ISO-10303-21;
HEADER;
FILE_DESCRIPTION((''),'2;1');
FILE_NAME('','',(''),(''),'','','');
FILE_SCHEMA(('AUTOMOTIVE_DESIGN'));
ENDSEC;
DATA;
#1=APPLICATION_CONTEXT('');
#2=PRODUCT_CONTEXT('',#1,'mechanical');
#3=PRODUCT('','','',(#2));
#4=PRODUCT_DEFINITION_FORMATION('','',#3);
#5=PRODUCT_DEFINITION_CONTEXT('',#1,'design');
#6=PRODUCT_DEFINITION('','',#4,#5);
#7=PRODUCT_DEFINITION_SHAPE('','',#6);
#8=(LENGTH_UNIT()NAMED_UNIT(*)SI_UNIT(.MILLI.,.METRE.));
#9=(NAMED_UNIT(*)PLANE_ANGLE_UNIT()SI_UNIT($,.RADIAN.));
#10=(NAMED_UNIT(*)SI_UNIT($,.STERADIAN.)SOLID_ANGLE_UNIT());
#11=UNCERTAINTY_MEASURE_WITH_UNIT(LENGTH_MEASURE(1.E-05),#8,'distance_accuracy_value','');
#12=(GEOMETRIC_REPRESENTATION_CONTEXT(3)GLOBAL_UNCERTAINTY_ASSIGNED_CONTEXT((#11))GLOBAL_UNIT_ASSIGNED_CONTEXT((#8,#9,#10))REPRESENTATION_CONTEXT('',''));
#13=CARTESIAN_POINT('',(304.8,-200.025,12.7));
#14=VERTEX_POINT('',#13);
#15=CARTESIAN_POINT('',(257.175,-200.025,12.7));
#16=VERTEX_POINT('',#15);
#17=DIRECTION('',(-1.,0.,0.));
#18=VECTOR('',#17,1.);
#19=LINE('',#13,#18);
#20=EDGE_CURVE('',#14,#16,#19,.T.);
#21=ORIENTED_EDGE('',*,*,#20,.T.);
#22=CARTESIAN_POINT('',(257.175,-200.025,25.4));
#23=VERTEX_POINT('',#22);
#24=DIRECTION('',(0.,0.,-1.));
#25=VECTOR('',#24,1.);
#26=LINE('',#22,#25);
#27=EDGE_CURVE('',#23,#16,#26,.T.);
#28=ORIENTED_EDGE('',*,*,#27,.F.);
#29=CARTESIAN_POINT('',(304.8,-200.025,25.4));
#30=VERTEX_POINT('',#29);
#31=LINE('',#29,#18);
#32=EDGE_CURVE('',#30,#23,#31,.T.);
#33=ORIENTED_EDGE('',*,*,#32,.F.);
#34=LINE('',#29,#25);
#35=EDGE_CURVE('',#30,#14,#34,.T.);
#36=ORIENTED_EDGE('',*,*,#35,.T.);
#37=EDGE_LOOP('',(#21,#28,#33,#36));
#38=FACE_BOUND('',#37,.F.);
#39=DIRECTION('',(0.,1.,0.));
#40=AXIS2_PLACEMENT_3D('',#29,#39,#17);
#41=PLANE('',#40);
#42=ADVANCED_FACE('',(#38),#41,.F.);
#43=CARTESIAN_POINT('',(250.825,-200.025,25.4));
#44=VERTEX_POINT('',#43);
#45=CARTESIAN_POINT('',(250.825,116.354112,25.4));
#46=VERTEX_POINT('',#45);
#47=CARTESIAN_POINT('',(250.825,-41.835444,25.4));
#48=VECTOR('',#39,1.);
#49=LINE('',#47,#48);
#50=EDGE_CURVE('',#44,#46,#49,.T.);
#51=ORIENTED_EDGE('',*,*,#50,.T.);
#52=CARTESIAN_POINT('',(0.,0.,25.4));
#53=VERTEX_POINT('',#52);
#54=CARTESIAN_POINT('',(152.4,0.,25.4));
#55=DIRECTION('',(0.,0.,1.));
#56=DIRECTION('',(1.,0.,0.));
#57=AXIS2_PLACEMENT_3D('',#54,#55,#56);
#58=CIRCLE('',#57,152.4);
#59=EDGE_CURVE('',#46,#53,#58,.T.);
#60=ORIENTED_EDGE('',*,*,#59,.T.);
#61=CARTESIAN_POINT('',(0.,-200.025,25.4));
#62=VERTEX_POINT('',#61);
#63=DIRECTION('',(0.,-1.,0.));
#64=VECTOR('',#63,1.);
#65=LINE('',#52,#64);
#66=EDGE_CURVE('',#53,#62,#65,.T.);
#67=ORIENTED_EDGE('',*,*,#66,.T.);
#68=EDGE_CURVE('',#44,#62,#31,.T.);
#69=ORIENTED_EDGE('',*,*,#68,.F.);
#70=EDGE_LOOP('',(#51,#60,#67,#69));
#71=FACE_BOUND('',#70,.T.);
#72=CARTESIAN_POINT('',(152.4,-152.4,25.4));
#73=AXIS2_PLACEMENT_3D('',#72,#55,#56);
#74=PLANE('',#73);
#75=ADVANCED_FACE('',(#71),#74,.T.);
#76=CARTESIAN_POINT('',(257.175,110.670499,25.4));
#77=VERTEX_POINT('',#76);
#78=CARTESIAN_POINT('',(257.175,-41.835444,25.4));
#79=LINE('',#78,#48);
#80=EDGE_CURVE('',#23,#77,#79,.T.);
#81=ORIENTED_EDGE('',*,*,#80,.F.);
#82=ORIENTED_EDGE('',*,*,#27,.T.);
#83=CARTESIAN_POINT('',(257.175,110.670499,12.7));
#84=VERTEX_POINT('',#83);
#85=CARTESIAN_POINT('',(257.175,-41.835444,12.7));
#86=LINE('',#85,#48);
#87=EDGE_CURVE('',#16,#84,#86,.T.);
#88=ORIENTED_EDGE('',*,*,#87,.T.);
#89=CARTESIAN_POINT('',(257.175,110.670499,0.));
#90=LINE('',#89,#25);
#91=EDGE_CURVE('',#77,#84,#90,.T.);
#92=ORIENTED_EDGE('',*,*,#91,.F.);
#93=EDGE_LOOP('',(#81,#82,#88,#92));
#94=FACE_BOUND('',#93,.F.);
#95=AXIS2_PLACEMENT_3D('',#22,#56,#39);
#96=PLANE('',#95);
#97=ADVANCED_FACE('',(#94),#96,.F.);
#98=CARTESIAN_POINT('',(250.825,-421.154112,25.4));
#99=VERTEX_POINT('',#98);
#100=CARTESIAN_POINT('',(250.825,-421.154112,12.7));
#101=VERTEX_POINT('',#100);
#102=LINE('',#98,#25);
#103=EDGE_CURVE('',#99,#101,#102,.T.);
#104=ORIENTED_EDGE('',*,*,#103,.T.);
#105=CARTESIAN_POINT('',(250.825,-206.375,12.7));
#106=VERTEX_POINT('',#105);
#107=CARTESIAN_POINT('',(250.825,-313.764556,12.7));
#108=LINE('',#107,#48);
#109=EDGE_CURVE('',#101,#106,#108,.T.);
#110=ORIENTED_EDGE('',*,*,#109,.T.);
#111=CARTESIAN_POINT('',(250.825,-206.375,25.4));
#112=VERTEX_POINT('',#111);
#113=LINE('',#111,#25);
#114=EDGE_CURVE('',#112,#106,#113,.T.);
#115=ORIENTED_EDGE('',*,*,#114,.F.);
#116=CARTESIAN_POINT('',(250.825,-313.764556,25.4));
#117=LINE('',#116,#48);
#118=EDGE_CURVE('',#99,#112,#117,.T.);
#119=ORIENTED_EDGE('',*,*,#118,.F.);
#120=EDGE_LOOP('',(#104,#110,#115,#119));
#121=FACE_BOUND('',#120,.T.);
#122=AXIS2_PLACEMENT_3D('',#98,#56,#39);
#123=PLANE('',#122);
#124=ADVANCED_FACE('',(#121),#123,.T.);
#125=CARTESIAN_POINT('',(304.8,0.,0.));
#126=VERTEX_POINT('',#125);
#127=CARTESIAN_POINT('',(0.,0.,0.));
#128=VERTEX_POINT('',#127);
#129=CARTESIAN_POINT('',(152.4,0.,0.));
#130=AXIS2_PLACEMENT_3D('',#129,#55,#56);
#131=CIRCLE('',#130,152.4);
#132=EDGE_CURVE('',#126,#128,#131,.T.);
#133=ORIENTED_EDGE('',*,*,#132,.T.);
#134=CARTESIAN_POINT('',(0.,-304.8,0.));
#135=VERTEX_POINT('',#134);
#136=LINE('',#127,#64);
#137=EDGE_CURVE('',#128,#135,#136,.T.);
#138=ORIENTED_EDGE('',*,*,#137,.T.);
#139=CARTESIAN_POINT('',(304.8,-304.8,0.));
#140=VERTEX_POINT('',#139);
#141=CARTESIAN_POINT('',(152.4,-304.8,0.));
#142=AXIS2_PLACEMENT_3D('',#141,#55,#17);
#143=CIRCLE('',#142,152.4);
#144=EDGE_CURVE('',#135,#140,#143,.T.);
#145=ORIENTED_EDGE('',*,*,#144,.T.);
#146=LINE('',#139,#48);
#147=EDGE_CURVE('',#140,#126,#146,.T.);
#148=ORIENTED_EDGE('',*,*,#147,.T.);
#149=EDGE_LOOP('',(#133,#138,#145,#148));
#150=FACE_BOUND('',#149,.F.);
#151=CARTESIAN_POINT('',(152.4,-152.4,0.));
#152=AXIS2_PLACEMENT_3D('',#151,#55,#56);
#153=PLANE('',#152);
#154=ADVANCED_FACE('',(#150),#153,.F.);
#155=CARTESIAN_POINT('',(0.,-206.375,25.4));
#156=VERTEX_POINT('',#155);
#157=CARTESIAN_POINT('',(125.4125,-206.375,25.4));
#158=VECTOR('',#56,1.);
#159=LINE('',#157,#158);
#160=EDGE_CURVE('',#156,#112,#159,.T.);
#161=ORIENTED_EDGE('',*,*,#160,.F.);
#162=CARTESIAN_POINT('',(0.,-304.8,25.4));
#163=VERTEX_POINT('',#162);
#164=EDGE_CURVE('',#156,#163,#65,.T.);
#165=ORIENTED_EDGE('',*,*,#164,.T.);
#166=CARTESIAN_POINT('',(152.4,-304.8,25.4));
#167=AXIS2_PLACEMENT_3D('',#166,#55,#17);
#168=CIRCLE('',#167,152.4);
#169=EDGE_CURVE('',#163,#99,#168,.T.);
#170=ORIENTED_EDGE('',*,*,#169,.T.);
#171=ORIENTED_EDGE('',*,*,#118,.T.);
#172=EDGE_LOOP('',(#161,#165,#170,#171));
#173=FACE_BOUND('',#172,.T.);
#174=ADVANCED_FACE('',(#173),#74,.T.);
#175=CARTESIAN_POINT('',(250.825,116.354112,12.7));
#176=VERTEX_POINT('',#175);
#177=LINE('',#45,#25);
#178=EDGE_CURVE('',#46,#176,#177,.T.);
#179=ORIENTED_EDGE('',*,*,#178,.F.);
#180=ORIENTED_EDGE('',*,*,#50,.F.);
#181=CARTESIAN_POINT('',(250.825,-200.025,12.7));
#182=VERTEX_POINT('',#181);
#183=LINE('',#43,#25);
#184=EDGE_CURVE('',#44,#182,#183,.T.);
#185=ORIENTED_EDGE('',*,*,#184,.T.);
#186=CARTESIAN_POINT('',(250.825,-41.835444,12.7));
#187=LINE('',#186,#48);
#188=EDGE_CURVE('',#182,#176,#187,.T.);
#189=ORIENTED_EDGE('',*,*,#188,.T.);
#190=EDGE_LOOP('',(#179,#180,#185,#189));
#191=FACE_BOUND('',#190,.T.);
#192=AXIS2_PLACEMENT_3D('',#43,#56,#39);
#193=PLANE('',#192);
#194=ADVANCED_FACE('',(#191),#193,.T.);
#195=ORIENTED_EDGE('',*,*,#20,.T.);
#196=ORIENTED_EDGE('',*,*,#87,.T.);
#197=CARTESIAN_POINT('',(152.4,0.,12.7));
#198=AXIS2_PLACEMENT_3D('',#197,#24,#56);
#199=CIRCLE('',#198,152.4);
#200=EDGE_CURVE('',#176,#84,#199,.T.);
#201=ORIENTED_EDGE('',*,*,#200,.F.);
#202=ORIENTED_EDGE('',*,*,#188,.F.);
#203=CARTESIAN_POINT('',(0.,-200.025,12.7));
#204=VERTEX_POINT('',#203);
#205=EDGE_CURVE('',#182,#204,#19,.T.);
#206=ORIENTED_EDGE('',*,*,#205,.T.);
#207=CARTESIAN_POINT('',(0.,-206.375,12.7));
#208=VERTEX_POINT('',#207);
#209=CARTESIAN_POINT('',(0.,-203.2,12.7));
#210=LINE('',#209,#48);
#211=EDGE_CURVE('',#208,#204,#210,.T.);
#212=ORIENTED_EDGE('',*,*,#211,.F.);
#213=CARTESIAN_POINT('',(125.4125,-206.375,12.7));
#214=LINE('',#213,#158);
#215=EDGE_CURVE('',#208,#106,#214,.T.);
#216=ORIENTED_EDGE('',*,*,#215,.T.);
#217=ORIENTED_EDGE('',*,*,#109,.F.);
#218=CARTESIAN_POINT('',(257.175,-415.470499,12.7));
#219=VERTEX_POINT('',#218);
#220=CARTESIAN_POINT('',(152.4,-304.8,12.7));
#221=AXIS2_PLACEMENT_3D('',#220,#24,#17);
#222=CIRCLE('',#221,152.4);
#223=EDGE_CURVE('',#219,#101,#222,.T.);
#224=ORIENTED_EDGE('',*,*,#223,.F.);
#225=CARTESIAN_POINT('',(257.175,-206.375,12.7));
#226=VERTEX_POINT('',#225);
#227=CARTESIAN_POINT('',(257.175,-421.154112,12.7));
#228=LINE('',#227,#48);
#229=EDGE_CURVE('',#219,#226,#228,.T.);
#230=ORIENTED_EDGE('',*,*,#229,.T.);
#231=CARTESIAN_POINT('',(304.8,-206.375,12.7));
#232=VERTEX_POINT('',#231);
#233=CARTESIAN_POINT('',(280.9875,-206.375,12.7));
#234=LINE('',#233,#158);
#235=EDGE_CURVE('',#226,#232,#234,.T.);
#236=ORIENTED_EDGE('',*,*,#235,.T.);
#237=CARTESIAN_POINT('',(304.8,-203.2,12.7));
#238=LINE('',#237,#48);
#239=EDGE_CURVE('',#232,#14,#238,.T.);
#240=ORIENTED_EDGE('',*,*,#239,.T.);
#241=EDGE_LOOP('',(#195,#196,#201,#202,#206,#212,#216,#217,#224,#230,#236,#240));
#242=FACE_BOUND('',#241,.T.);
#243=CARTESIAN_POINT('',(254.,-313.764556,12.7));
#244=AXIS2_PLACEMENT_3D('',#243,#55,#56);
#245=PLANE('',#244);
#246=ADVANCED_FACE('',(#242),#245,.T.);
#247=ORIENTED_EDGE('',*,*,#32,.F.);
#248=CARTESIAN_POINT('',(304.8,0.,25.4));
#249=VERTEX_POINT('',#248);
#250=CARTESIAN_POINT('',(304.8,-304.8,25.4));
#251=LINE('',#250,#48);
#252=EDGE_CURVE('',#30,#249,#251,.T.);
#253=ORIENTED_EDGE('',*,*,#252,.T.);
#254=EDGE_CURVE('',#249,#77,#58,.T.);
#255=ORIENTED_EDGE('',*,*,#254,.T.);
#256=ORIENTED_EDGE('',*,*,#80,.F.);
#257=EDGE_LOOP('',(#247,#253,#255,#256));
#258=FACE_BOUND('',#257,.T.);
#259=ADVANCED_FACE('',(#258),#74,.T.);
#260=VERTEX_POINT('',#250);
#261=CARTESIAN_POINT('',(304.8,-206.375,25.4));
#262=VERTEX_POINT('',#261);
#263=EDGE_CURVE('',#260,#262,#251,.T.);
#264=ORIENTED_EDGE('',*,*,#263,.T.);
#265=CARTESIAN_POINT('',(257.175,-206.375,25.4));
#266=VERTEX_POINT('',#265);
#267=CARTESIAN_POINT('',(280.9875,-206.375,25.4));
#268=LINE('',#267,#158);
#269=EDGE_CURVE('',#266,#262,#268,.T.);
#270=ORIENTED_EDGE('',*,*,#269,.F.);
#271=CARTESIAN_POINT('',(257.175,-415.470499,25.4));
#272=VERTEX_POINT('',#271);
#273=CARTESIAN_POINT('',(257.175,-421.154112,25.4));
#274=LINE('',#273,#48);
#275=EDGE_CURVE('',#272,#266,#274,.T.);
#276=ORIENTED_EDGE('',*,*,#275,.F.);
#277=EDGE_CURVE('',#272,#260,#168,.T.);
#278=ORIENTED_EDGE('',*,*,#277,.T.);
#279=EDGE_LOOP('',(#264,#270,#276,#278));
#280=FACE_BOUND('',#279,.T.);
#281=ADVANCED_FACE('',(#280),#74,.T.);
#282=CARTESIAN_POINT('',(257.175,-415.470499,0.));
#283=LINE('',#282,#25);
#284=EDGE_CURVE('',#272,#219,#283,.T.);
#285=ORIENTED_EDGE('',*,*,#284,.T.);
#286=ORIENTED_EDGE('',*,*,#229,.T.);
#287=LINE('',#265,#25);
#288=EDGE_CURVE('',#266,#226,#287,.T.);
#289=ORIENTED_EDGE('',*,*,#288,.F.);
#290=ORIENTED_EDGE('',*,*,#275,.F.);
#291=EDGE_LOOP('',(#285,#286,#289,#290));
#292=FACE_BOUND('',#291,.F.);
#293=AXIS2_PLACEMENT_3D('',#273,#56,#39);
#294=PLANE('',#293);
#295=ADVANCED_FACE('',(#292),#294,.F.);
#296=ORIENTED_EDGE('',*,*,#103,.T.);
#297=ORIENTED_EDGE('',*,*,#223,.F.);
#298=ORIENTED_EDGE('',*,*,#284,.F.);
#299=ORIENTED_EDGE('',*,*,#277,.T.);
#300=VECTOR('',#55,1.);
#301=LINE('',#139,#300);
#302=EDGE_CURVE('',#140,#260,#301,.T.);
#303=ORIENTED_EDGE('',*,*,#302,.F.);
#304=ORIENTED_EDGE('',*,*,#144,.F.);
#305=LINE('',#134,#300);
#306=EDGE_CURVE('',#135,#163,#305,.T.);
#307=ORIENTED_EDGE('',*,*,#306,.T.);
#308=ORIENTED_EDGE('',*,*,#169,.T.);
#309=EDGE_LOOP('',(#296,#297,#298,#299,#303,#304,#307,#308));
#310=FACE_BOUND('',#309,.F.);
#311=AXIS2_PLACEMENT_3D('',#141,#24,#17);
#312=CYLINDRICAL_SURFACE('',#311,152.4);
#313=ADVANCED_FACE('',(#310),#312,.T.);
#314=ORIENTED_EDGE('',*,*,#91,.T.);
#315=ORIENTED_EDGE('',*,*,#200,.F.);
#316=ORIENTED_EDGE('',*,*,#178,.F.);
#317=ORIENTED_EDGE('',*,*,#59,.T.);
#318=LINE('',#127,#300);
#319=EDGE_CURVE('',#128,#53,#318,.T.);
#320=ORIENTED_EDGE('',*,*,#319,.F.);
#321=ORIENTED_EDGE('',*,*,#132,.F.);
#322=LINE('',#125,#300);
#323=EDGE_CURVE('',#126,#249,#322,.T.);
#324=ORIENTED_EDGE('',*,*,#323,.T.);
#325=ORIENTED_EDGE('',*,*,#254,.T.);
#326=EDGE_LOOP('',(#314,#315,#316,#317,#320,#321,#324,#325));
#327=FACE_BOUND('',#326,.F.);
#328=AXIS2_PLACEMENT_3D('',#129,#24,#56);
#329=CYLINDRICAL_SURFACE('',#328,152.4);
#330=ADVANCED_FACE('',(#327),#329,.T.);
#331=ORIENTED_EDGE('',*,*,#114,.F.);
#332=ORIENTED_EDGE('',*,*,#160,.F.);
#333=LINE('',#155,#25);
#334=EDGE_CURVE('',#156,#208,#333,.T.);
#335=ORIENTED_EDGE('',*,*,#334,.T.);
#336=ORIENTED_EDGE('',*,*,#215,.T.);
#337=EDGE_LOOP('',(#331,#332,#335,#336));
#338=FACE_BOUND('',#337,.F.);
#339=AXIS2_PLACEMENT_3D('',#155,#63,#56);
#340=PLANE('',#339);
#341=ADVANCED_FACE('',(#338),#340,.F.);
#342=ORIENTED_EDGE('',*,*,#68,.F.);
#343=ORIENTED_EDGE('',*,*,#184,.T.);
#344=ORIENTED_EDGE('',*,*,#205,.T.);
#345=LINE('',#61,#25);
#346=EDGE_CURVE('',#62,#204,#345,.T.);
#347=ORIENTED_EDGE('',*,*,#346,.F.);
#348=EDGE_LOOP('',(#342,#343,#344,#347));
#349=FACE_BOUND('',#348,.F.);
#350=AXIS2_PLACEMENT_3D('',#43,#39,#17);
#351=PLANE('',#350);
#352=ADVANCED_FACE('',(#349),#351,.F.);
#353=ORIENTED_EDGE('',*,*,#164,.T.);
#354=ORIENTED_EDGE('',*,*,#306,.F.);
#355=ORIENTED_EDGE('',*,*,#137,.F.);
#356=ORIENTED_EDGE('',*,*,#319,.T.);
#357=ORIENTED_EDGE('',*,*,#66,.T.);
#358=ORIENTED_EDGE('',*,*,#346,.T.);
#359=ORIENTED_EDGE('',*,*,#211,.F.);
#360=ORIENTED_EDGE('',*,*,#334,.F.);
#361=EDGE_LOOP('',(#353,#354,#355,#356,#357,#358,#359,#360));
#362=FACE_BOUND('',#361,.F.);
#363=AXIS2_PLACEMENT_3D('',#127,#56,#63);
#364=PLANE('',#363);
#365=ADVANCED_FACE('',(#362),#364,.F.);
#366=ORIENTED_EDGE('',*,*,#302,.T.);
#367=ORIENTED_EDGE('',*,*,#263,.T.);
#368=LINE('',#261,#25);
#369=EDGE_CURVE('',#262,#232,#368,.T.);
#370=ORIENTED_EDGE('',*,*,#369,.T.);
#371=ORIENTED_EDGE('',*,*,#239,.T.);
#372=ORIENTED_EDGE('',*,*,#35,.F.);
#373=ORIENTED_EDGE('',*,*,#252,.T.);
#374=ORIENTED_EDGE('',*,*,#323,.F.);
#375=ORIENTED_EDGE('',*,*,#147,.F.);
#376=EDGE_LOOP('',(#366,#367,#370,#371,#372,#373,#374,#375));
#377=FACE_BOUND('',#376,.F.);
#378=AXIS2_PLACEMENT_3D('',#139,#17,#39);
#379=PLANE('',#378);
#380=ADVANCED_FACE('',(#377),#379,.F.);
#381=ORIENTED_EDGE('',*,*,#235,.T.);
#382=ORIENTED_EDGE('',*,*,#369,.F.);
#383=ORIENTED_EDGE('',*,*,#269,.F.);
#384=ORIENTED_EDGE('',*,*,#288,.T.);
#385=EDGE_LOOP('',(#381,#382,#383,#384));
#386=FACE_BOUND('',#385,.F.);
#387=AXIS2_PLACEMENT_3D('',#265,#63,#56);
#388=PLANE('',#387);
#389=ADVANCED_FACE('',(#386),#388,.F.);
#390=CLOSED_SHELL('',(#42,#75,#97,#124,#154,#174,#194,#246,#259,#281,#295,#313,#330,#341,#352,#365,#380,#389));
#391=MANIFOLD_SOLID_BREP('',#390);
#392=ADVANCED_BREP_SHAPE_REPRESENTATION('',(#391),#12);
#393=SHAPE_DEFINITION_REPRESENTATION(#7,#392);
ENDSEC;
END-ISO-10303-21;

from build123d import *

# Parameters (mm, degrees)
F1_DEPTH = 25.4
F2_W     = 6.35
F2_H     = 214.7791119815
F2_W_2   = 250.825
F2_H_2   = 6.35
F2_W_3   = 47.625
F2_H_3   = 316.3791119815
F3_DEPTH = 12.7


with BuildPart() as f1:
    # F0 (on Top) → F1 (new body)
    with BuildSketch(Plane.XY):
        with BuildLine():
            ThreePointArc((304.8, 0), (152.4, 152.4), (0, 0))
            Line((0, 0), (0, -304.8))
            ThreePointArc((0, -304.8), (152.4, -457.2), (304.8, -304.8))
            Line((304.8, -304.8), (304.8, 0))
        make_face()
    extrude(amount=F1_DEPTH)

    # F2 (on face) → F3 (cut)
    with BuildSketch(Plane.XY.offset(25.4)):
        with Locations((254, -313.7645559907)):
            Rectangle(F2_W, F2_H)
        with Locations((125.4125, -203.2)):
            Rectangle(F2_W_2, F2_H_2)
        with Locations((254, -203.2)):
            Rectangle(F2_W, F2_H_2)
        with Locations((280.9875, -203.2)):
            Rectangle(F2_W_3, F2_H_2)
        with Locations((254, -41.8354440093)):
            Rectangle(F2_W, F2_H_3)
    extrude(amount=-F3_DEPTH, mode=Mode.SUBTRACT)


solid = f1.part
